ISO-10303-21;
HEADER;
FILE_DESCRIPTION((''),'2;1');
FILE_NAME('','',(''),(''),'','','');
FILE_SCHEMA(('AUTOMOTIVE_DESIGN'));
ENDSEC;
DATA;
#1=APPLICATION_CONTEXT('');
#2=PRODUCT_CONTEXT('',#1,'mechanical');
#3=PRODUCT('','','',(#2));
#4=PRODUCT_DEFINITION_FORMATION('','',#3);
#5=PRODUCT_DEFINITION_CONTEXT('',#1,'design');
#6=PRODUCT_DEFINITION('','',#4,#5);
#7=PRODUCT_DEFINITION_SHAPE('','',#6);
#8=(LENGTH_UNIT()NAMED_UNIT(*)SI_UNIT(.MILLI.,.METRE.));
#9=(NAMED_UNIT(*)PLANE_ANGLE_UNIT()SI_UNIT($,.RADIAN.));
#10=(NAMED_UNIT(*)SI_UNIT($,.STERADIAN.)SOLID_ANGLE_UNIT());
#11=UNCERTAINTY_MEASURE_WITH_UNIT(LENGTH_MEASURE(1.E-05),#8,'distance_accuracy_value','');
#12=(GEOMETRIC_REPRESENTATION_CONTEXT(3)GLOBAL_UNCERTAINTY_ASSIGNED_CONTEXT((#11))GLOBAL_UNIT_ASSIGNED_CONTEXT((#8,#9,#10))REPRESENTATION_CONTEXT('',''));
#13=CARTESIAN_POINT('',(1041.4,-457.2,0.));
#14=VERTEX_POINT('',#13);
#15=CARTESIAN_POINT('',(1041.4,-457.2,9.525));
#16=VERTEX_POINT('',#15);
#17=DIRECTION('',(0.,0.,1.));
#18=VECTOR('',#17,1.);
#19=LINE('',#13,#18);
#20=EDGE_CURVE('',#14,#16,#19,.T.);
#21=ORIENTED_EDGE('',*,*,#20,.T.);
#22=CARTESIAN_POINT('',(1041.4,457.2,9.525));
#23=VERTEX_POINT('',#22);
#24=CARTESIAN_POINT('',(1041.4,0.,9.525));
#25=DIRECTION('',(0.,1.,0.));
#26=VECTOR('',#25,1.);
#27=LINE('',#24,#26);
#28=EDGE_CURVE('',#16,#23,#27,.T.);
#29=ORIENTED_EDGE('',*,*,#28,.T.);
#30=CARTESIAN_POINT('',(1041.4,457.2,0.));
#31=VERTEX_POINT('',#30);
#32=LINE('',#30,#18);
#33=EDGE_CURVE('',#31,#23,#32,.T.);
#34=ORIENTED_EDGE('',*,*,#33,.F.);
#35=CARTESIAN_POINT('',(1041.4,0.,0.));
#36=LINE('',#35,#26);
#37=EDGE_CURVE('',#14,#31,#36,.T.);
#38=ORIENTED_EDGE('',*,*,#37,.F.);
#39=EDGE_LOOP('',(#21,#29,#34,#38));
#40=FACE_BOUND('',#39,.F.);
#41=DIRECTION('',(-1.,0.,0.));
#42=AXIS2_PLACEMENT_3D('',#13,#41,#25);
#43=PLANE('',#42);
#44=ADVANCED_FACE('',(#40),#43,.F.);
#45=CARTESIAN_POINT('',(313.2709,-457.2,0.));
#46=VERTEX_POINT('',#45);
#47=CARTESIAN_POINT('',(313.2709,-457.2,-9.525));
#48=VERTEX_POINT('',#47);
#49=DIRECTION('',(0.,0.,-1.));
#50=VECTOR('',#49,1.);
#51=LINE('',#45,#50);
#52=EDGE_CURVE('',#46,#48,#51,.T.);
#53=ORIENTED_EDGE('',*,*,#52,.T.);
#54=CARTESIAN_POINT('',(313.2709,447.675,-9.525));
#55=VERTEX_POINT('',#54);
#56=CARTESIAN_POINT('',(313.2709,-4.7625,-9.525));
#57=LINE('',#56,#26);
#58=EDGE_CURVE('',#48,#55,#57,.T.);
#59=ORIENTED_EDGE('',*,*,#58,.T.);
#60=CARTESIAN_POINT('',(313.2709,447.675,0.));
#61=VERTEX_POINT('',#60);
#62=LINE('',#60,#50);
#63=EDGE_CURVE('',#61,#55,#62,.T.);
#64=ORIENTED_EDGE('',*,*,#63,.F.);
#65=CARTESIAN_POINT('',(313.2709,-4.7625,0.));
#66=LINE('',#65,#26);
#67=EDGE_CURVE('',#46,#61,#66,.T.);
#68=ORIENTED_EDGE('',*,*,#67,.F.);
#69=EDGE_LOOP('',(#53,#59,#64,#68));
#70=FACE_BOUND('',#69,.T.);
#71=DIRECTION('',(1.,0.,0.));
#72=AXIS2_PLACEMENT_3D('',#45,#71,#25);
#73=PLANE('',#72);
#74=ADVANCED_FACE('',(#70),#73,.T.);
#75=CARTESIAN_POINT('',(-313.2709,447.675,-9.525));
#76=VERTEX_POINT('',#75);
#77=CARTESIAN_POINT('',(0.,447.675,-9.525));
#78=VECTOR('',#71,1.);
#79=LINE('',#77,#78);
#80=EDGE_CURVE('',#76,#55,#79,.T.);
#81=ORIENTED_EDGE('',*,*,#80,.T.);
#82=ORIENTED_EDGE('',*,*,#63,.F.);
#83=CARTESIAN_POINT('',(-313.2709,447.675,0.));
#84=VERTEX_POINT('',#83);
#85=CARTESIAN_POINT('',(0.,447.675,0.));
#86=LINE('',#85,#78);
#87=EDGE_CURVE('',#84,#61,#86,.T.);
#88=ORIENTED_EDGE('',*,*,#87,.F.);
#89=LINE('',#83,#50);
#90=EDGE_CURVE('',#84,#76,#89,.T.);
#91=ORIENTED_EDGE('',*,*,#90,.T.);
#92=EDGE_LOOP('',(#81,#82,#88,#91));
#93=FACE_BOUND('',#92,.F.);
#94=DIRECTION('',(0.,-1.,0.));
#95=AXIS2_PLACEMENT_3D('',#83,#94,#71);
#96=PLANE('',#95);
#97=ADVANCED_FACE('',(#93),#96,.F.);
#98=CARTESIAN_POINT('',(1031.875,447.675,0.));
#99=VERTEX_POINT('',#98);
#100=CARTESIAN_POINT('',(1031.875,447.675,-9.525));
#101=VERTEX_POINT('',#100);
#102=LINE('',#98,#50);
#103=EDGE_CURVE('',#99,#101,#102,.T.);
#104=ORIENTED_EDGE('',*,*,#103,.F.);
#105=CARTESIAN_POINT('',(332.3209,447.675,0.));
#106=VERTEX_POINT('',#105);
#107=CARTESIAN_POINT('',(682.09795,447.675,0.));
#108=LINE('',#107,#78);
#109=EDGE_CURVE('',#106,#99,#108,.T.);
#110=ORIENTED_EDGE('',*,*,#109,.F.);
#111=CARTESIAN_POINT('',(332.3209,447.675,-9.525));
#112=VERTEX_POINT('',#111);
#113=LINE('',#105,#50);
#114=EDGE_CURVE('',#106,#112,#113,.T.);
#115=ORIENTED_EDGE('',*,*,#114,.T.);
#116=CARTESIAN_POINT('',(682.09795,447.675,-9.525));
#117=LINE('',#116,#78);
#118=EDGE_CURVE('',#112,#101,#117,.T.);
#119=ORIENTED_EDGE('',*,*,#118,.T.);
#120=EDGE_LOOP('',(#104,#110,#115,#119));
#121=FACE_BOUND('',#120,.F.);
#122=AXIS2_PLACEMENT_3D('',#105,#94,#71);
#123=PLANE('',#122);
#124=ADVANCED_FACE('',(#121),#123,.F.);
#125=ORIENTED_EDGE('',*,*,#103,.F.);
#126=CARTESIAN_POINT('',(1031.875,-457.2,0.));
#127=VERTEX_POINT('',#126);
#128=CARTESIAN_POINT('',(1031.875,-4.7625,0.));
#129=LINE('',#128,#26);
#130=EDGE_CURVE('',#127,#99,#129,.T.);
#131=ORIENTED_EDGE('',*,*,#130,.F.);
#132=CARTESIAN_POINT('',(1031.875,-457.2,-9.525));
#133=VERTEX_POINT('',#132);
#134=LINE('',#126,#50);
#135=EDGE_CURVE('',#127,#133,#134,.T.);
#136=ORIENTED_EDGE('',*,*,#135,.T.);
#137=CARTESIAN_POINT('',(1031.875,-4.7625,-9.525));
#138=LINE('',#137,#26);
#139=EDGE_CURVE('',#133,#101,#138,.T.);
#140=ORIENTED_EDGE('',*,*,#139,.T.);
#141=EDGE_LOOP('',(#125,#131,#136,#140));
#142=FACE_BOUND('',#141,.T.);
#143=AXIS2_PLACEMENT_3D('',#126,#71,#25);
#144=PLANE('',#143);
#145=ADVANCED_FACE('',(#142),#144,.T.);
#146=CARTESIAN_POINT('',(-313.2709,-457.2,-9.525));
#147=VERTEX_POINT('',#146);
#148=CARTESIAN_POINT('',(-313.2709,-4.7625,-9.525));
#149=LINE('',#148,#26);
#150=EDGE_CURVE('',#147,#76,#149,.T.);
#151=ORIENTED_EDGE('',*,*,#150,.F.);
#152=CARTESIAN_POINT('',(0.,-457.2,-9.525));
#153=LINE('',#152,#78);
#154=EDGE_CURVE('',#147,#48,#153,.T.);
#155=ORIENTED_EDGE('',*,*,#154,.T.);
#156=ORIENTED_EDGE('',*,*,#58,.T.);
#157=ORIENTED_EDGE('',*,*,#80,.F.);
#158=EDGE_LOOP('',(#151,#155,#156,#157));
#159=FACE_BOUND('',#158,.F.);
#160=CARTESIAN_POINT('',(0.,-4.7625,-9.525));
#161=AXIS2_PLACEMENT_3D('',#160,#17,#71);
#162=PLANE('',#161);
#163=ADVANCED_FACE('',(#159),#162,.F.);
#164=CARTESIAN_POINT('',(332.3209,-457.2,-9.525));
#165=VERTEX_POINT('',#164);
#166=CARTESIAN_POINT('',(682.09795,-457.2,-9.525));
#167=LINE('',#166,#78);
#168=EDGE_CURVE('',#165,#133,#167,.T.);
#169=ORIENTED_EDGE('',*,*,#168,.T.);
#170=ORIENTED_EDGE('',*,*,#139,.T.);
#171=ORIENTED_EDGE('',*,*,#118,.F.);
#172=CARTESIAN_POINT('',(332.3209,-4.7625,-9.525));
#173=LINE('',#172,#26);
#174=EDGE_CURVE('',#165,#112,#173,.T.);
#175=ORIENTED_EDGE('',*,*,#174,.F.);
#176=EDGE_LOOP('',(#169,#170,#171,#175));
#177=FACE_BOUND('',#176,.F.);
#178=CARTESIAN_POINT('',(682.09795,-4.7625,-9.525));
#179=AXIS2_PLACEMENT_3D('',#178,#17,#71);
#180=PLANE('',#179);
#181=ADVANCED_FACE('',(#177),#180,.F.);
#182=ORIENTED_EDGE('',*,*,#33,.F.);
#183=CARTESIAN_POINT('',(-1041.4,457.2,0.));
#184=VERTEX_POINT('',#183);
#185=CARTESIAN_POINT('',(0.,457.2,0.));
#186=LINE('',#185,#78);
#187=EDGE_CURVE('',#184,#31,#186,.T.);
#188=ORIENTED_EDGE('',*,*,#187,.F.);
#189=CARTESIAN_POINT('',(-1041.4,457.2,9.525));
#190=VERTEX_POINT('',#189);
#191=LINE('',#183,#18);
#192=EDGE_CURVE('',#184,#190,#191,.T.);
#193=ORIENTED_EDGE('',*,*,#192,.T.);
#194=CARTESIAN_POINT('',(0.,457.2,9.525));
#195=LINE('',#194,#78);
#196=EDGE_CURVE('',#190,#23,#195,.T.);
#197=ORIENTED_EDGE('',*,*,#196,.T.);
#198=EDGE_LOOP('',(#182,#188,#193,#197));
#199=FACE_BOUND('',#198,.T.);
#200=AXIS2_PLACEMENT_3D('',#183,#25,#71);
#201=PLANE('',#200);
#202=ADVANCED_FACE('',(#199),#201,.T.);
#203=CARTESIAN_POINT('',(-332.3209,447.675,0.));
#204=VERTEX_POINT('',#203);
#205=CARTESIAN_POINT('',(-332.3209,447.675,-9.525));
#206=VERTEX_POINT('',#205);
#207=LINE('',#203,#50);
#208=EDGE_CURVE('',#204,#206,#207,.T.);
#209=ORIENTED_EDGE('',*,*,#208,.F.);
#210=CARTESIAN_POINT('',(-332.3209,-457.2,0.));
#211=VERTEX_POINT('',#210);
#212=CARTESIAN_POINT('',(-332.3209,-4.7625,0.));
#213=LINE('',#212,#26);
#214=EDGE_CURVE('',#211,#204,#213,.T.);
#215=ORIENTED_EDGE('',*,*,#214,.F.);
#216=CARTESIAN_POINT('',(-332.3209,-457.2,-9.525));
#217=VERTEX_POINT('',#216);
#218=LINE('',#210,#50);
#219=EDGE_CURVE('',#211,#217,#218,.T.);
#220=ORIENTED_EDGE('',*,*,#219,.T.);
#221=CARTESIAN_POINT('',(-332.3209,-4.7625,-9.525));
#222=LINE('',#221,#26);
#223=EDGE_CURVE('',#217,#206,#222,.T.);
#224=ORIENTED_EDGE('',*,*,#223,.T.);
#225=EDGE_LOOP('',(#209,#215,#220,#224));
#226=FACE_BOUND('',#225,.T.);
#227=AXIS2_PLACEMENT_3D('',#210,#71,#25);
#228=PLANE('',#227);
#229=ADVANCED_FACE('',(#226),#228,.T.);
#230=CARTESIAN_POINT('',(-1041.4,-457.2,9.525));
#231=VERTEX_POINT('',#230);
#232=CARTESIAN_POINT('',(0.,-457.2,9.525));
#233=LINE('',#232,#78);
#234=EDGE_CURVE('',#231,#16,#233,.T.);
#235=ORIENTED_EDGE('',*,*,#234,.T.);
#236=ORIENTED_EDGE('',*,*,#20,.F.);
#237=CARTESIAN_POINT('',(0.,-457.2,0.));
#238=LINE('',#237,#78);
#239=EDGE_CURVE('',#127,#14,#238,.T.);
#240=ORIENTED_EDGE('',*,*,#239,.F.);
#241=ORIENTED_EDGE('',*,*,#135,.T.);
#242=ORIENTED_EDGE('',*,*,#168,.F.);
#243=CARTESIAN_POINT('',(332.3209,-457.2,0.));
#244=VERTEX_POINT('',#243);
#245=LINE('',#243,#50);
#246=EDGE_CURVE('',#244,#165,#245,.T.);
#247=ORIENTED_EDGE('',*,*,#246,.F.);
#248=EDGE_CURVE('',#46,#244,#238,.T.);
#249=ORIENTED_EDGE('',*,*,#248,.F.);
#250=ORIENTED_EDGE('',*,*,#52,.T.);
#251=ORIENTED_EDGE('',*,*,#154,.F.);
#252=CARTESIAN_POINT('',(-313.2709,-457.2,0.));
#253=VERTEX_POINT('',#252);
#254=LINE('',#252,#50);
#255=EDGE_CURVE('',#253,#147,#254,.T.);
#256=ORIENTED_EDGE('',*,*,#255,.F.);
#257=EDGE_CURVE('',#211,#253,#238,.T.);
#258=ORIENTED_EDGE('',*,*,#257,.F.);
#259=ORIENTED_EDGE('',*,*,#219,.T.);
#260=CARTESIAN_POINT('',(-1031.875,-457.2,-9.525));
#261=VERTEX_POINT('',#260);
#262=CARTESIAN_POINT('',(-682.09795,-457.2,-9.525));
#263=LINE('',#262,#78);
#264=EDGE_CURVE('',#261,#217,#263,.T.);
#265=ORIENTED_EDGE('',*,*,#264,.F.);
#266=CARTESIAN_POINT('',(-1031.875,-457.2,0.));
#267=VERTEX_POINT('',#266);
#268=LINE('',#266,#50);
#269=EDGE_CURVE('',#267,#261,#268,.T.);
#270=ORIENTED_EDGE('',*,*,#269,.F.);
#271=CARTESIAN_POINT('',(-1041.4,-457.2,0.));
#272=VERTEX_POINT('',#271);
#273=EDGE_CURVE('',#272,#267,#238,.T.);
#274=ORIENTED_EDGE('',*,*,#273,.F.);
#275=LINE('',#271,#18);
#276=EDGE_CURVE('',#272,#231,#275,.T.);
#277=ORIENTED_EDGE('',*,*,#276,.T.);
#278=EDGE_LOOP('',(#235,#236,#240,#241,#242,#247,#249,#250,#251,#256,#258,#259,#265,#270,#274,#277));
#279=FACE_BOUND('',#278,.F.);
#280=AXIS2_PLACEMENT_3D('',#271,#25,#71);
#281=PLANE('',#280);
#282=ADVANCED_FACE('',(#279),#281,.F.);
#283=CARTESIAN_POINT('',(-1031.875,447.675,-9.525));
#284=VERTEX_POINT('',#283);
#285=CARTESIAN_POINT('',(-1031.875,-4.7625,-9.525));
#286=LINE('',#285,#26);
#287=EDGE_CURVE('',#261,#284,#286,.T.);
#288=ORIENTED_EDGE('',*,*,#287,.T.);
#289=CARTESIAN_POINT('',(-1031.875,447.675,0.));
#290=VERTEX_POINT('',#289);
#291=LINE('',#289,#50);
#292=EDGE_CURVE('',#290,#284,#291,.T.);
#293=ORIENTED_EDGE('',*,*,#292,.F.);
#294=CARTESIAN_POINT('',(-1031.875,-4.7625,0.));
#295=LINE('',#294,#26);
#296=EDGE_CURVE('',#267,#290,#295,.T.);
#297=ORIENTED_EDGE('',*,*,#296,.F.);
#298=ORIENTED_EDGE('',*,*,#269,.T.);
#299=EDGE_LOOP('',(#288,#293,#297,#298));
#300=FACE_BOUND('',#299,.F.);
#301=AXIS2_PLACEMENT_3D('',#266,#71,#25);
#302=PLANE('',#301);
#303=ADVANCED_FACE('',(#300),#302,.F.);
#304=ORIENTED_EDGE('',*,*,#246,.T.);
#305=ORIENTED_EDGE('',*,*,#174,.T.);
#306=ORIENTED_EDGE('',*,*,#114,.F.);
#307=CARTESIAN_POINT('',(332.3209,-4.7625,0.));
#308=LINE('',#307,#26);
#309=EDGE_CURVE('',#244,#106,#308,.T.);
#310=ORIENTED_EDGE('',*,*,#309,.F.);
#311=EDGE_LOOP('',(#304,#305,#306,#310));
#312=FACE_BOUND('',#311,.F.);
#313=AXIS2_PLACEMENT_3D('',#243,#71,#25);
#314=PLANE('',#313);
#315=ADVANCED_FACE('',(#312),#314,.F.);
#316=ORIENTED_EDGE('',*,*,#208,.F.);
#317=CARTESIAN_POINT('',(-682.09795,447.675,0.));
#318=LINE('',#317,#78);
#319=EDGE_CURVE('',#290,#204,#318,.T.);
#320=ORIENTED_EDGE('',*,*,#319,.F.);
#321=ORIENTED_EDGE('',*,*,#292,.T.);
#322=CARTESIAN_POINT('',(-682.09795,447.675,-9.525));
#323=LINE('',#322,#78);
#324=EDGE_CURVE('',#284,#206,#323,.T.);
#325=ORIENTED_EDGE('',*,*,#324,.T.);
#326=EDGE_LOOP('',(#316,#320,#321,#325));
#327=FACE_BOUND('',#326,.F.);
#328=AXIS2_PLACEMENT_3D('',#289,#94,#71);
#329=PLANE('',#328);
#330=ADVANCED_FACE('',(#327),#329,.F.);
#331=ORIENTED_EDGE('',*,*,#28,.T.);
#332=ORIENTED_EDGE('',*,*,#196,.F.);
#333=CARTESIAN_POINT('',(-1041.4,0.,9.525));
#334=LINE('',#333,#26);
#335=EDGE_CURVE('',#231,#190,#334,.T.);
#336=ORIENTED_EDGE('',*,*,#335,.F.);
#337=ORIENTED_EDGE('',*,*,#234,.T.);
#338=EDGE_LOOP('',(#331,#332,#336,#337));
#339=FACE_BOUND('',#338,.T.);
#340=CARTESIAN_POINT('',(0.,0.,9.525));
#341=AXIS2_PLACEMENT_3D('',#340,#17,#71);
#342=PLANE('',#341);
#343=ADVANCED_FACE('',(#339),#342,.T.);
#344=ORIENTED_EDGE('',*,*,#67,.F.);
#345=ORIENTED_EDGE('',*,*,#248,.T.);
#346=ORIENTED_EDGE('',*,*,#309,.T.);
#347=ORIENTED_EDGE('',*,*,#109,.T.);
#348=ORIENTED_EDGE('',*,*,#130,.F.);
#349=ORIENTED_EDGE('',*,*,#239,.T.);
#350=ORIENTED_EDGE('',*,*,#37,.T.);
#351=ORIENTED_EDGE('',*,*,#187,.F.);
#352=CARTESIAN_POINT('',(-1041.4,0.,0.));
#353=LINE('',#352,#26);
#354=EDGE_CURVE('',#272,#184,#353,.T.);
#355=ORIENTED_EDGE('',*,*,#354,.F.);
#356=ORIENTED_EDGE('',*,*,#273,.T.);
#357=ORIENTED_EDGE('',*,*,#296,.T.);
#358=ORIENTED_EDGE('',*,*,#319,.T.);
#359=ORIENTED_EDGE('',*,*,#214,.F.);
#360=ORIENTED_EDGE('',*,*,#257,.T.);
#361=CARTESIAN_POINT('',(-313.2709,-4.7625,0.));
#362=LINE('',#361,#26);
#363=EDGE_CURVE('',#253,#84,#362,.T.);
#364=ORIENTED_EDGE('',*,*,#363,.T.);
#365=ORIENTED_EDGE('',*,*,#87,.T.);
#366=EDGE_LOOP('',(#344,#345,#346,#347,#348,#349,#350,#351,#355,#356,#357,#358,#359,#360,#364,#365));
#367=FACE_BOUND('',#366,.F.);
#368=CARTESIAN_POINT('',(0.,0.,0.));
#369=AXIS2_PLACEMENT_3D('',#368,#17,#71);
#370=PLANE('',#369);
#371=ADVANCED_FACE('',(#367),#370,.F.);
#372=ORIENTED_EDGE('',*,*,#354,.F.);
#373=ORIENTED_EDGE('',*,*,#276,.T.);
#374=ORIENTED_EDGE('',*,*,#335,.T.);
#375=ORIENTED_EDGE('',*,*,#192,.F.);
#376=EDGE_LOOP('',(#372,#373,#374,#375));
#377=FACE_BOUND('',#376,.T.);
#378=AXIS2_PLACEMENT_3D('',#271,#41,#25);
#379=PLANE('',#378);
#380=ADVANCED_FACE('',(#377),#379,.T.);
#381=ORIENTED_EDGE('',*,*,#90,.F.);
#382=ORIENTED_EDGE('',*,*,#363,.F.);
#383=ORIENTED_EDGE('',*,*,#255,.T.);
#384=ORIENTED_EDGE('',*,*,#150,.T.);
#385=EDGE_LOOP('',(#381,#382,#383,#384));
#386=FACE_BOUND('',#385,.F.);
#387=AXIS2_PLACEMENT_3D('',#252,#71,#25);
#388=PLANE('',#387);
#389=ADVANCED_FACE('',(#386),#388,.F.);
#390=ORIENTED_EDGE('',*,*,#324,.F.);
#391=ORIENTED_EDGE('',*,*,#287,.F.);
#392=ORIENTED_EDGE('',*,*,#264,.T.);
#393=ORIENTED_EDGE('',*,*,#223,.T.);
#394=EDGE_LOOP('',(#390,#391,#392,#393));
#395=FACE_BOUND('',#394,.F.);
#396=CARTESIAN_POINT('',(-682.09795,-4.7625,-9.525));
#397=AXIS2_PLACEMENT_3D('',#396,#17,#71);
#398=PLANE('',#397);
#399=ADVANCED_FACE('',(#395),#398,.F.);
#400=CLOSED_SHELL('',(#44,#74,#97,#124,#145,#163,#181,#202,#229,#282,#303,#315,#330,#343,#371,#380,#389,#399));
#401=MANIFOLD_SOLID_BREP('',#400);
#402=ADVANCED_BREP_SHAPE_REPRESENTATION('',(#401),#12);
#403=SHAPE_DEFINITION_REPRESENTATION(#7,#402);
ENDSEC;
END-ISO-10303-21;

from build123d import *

# Parameters (mm, degrees)
F0_W     = 2082.8
F0_H     = 914.4
F2_DEPTH = 9.525
F1_W     = 699.5541
F1_H     = 904.875
F1_W_2   = 626.5418
F3_DEPTH = 9.525


with BuildPart() as f2:
    # F0 (on Top) → F2 (new body)
    with BuildSketch(Plane.XY):
        Rectangle(F0_W, F0_H)
    extrude(amount=F2_DEPTH)

    # F1 (on Top) → F3 (join)
    with BuildSketch(Plane.XY):
        with Locations((-682.09795, -4.7625)):
            Rectangle(F1_W, F1_H)
        with Locations((682.09795, -4.7625)):
            Rectangle(F1_W, F1_H)
        with Locations((0, -4.7625)):
            Rectangle(F1_W_2, F1_H)
    extrude(amount=-F3_DEPTH)


solid = f2.part
